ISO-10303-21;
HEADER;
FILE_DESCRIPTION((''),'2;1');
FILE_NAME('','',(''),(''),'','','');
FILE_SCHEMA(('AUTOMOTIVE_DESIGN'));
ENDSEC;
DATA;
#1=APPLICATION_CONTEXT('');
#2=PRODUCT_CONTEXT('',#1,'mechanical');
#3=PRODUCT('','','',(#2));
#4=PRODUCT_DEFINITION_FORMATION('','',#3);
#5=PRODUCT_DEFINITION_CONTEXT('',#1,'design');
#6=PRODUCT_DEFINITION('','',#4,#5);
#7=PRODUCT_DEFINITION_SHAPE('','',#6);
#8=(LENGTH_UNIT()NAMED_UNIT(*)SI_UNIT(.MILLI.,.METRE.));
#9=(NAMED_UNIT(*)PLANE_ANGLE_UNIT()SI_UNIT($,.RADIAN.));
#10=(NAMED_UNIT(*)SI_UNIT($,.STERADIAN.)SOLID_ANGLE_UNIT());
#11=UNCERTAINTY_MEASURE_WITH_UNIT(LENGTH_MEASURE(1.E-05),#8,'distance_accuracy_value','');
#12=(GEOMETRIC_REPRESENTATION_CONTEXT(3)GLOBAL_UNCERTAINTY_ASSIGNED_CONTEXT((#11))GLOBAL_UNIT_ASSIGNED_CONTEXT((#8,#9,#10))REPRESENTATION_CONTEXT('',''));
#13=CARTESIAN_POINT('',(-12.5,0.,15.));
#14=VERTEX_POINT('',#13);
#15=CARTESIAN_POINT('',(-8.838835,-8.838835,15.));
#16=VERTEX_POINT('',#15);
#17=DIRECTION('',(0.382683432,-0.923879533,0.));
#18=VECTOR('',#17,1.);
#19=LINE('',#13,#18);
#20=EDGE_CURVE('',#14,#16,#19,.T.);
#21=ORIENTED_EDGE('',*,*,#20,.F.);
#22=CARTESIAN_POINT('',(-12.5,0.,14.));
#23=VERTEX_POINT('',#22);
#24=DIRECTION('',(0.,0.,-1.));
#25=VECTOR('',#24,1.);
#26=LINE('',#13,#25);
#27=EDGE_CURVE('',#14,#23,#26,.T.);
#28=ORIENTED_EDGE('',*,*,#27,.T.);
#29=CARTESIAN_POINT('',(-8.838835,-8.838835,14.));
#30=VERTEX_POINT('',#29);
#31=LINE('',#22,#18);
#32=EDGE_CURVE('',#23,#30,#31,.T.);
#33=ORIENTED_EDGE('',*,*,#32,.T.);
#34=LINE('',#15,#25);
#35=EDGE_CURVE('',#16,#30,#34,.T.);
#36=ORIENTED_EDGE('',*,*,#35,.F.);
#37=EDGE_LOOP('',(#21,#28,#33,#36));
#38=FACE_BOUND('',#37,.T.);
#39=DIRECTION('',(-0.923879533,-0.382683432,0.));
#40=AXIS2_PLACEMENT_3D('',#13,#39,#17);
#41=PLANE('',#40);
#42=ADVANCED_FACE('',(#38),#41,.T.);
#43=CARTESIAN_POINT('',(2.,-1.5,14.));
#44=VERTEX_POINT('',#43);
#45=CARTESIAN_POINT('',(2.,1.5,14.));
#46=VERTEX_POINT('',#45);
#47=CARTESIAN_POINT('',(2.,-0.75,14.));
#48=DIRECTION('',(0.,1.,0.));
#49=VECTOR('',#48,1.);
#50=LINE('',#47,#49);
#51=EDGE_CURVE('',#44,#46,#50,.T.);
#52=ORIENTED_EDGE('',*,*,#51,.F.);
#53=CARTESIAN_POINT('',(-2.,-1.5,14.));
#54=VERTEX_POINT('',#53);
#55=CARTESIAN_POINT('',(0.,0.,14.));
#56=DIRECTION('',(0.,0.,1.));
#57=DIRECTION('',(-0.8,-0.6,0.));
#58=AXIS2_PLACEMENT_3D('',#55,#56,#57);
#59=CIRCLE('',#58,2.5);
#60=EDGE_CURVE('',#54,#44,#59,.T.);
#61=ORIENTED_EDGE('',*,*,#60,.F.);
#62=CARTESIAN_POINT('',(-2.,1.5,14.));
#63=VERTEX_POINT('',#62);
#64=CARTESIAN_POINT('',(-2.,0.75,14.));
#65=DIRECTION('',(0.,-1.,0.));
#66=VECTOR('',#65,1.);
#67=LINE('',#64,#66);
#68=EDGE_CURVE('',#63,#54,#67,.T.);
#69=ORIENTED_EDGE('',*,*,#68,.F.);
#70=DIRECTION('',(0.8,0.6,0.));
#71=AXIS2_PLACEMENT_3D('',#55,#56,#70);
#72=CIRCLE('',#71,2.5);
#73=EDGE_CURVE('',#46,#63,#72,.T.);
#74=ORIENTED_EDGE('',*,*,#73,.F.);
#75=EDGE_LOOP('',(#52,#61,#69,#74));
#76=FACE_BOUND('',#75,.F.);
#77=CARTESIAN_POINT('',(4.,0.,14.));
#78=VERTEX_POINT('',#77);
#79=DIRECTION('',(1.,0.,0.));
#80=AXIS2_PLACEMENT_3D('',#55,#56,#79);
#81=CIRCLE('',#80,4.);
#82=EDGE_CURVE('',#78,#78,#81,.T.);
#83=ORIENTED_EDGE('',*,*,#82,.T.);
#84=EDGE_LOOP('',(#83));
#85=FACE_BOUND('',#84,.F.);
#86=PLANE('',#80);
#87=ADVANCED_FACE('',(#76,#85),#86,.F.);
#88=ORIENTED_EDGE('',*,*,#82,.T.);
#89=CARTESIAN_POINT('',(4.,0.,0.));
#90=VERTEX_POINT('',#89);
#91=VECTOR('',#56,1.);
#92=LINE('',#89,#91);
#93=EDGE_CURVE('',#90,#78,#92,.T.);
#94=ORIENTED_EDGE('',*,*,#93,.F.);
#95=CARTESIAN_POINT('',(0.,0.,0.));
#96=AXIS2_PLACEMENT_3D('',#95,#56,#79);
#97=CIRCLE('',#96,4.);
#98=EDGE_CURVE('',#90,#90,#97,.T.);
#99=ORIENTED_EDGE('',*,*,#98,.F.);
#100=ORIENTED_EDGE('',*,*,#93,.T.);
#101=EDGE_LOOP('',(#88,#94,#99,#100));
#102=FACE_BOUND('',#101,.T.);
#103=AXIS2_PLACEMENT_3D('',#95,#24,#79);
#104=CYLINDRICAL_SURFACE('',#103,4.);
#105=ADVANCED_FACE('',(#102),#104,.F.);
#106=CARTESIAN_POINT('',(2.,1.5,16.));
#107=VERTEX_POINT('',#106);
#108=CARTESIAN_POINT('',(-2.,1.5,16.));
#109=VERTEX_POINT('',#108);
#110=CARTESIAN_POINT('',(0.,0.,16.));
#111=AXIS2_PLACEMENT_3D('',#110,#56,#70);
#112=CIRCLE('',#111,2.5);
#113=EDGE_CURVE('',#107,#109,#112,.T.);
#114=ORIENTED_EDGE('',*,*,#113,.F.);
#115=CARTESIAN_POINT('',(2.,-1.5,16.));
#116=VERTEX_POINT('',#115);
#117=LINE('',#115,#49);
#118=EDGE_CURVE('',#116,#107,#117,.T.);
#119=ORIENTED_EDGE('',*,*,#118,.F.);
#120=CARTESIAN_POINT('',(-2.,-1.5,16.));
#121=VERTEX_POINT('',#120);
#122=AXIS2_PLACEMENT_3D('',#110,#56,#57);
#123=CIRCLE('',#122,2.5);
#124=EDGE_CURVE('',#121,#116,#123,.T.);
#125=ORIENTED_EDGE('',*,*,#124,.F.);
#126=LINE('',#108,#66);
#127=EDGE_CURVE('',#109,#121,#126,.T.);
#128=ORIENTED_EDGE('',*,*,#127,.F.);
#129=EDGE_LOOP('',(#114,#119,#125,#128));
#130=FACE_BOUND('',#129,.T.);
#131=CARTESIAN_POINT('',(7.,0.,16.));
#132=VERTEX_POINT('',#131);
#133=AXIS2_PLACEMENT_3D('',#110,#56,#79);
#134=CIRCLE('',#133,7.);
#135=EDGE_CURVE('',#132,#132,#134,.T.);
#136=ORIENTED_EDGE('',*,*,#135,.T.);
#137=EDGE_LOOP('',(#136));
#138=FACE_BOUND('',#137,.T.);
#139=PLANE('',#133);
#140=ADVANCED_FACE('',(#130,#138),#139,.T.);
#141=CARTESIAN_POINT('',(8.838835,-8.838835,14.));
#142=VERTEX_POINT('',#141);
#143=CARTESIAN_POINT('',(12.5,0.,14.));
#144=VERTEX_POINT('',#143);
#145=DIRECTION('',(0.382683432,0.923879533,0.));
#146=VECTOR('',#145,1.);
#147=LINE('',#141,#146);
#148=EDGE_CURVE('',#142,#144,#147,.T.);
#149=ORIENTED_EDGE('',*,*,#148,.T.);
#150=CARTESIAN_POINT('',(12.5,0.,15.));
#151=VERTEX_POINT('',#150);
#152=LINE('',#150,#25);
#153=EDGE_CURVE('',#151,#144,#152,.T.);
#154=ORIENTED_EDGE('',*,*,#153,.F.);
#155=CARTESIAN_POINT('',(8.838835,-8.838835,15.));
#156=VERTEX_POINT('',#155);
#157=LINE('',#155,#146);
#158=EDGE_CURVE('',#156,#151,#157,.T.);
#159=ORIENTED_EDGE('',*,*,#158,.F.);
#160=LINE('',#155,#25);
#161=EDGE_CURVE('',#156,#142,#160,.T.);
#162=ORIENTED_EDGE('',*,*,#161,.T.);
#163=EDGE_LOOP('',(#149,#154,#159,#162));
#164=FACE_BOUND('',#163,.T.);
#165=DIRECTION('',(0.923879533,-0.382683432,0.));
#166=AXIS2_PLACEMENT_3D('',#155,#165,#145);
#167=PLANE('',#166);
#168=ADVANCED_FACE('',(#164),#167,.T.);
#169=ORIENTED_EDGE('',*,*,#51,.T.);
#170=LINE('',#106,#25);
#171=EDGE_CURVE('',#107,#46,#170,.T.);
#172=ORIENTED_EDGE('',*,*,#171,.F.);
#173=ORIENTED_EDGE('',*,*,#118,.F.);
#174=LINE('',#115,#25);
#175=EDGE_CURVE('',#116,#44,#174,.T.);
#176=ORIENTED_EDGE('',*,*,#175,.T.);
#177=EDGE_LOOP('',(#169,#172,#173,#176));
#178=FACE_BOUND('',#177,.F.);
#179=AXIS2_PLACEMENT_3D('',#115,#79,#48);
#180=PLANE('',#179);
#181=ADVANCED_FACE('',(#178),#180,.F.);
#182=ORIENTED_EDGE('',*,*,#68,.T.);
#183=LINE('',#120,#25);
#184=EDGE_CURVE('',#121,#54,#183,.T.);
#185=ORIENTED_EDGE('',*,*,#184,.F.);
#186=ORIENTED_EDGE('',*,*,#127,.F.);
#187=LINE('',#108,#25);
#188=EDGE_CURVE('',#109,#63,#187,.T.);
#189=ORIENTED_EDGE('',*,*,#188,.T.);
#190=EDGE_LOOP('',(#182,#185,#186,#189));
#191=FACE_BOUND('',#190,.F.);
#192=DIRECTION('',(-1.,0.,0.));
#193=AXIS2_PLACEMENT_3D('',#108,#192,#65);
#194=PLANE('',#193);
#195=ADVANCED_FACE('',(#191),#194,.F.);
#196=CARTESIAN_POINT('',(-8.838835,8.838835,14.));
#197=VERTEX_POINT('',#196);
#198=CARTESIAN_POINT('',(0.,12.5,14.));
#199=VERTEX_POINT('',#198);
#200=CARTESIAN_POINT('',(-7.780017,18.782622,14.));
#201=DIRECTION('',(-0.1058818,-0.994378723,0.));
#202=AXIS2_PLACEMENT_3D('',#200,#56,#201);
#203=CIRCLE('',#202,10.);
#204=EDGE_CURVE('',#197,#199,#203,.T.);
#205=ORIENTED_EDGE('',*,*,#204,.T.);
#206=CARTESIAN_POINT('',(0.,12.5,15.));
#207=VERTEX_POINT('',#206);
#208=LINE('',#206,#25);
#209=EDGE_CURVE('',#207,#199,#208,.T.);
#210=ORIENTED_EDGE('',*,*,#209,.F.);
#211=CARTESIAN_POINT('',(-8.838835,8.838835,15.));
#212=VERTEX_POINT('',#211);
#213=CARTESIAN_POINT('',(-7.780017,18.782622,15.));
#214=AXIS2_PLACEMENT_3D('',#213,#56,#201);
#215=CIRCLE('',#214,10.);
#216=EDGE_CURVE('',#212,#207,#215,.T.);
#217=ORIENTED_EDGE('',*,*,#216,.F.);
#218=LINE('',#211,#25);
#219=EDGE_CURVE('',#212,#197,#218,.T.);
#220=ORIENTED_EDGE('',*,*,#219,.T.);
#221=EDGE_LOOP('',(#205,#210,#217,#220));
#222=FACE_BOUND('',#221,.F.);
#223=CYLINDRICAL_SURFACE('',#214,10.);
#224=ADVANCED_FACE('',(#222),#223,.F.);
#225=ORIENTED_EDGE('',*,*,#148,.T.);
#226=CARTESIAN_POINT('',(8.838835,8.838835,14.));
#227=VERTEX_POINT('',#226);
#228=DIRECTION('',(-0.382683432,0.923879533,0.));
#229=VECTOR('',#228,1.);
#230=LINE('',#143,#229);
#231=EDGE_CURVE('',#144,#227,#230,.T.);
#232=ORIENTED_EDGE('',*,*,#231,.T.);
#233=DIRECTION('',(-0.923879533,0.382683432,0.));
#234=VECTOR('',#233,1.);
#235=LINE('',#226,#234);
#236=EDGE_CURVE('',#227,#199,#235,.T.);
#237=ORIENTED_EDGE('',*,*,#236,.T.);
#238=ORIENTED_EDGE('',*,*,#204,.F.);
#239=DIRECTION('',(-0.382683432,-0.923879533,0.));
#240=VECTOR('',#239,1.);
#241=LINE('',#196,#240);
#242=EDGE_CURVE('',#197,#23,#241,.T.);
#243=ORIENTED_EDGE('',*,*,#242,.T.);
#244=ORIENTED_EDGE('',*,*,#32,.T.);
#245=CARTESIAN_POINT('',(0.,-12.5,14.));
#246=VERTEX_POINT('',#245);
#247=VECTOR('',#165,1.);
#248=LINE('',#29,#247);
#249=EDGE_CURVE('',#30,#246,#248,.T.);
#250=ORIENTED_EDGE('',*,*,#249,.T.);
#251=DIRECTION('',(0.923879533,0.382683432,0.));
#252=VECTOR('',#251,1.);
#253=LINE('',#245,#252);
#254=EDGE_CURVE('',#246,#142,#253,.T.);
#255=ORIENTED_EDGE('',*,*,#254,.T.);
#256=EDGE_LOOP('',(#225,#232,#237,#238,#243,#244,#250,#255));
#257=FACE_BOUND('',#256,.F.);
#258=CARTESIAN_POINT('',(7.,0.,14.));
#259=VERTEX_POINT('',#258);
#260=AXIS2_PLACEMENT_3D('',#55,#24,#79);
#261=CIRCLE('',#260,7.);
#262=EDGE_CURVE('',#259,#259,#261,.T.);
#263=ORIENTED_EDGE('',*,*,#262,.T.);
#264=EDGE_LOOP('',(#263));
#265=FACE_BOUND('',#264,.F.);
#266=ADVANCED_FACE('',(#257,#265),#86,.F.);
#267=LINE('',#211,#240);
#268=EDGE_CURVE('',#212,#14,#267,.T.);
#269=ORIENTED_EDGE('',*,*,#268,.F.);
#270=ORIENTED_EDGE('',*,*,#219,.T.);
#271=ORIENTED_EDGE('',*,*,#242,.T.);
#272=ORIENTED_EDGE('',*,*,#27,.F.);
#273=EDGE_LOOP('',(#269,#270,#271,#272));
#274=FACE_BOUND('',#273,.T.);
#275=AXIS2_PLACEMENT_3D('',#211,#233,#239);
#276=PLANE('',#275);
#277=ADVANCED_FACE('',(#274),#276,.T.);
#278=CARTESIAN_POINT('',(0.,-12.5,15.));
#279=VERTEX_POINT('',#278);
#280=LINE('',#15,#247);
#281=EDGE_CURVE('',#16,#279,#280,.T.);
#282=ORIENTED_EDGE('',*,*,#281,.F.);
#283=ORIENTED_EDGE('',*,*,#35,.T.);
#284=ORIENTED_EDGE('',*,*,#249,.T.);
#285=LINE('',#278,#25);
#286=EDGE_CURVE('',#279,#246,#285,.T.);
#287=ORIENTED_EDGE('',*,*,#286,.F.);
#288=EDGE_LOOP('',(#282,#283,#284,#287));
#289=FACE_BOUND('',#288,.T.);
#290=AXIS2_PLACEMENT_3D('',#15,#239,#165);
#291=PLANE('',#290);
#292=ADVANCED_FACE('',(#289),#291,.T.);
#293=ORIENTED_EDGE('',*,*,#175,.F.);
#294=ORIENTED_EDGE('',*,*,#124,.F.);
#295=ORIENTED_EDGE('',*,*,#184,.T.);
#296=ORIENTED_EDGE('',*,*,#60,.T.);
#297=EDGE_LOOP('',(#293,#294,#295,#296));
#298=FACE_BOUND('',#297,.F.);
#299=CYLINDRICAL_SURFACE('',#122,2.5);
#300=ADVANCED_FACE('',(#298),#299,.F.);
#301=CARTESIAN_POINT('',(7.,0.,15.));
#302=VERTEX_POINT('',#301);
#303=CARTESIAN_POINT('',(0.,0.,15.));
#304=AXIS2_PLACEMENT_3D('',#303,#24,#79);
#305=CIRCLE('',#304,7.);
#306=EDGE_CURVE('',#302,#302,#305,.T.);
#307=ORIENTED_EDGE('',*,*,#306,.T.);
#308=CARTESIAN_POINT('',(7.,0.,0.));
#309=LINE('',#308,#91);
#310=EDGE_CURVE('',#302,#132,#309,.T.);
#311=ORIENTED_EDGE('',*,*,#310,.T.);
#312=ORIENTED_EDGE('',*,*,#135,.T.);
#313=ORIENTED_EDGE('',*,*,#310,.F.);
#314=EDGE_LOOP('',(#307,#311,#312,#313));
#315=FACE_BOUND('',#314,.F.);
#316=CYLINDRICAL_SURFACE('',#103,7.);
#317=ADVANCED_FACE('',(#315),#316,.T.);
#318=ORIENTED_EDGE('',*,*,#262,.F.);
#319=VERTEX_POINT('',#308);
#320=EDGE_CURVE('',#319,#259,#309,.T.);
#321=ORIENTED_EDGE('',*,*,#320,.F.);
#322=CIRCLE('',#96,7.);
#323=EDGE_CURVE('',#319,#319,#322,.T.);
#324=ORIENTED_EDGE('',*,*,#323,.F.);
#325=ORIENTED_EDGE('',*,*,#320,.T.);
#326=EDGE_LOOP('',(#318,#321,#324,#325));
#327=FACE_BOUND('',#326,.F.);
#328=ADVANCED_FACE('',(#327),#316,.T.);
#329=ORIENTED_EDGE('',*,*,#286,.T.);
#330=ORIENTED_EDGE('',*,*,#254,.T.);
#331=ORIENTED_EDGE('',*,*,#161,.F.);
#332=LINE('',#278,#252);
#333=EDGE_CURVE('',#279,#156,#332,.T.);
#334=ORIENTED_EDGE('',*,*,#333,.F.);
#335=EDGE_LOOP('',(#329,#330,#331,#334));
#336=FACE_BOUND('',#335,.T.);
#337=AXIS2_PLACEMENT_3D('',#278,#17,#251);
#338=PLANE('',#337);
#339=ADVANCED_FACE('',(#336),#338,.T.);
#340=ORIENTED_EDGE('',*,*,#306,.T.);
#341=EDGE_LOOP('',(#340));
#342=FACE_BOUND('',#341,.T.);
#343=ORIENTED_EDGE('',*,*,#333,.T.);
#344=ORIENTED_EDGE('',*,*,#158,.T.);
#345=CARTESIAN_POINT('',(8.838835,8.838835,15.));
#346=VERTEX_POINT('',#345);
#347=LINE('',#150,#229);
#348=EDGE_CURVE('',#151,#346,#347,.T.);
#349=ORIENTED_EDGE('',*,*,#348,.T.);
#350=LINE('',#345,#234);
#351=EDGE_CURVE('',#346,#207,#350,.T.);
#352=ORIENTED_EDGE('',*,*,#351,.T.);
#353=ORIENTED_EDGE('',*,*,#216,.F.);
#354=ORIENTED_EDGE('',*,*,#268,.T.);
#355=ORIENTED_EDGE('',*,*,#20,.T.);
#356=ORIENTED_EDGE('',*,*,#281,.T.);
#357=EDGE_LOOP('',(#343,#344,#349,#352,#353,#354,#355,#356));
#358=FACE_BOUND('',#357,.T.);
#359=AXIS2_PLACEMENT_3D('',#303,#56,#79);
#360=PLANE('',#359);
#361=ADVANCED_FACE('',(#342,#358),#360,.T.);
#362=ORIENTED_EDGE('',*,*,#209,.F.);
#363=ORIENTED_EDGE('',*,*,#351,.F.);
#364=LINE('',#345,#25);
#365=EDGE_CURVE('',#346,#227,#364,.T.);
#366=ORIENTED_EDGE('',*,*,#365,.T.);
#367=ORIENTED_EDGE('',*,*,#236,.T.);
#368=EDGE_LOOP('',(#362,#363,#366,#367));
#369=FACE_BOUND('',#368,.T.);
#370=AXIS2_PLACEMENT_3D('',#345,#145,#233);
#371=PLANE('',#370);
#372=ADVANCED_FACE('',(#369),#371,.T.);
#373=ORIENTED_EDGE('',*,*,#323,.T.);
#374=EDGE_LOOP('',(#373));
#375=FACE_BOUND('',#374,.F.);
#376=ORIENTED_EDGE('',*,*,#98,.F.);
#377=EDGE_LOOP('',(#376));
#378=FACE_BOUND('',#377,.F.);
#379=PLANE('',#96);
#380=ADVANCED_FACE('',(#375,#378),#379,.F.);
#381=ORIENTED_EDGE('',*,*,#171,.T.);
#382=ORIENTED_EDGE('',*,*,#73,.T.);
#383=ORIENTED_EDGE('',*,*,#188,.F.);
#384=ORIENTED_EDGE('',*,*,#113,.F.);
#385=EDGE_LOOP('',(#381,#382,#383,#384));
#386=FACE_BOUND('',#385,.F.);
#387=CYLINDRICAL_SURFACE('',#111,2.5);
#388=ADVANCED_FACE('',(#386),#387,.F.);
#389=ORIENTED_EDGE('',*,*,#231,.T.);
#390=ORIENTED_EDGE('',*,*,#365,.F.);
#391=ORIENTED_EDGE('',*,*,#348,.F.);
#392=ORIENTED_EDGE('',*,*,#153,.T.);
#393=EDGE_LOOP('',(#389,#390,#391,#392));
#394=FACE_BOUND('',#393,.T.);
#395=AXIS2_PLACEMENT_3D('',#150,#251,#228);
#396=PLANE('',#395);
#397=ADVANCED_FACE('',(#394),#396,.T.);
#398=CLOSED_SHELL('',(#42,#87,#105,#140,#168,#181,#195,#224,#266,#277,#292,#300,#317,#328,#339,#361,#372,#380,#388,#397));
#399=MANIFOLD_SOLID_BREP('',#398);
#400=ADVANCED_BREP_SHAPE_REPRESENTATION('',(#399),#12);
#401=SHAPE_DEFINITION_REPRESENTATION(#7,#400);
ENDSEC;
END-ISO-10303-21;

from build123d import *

# Parameters (mm, degrees)
F0_R      = 7
F1_DEPTH  = 16
F4_DEPTH  = 1
F5_R      = 4
F6_DEPTH  = 14
F8_DEPTH  = 16.001
F10_DEPTH = 15.001
F12_DEPTH = 15.002


with BuildPart() as f1:
    # F0 (on Top) → F1 (new body)
    with BuildSketch(Plane.XY):
        Circle(F0_R)
    extrude(amount=F1_DEPTH)

    # F3 (on offset) → F4 (join)
    with BuildSketch(Plane.XY.offset(15)):
        Polygon((8.8388347648, 8.8388347648), (0, 12.5), (-8.8388347648, 8.8388347648), (-12.5, 0), (-8.8388347648, -8.8388347648), (0, -12.5), (8.8388347648, -8.8388347648), (12.5, 0), align=None)
    extrude(amount=-F4_DEPTH)

    # F5 (on Top) → F6 (cut, through all)
    with BuildSketch(Plane.XY):
        Circle(F5_R)
    extrude(amount=F6_DEPTH, mode=Mode.SUBTRACT)

    # F7 (on face) → F8 (cut, through all)
    with BuildSketch(Plane.XY.offset(16)):
        with BuildLine():
            Line((-2, 1.5), (-2, -1.5))
            ThreePointArc((-2, -1.5), (0, -2.5), (2, -1.5))
            Line((2, -1.5), (2, 1.5))
            ThreePointArc((2, 1.5), (0, 2.5), (-2, 1.5))
        make_face()
    extrude(amount=-F8_DEPTH, mode=Mode.SUBTRACT)


with BuildPart() as f10:
    # F9 (on face) → F10 (new body, through all)
    with BuildSketch(Plane.XY.offset(15)):
        with BuildLine():
            Line((0, 12.5), (-8.8388347648, 8.8388347648))
            ThreePointArc((-8.8388347648, 8.8388347648), (-3.9531824429, 9.5438266683), (0, 12.5))
        make_face()
    extrude(amount=-F10_DEPTH)


with BuildPart() as f12_tool:
    # F11 (on face) → F12 (new body, through all)
    with BuildSketch(Plane.XY.offset(15)):
        with BuildLine():
            ThreePointArc((-8.8388347648, 8.8388347648), (-3.9531824429, 9.5438266683), (0, 12.5))
            Line((0, 12.5), (-8.8388347648, 8.8388347648))
        make_face()
    extrude(amount=-F12_DEPTH)


with BuildPart() as f1_1:
    add(f1.part)

    # F12: cut by f12_tool
    add(f12_tool.part, mode=Mode.SUBTRACT)


with BuildPart() as f10_1:
    add(f10.part)

    # F12: cut by f12_tool
    add(f12_tool.part, mode=Mode.SUBTRACT)


solid = f1_1.part
